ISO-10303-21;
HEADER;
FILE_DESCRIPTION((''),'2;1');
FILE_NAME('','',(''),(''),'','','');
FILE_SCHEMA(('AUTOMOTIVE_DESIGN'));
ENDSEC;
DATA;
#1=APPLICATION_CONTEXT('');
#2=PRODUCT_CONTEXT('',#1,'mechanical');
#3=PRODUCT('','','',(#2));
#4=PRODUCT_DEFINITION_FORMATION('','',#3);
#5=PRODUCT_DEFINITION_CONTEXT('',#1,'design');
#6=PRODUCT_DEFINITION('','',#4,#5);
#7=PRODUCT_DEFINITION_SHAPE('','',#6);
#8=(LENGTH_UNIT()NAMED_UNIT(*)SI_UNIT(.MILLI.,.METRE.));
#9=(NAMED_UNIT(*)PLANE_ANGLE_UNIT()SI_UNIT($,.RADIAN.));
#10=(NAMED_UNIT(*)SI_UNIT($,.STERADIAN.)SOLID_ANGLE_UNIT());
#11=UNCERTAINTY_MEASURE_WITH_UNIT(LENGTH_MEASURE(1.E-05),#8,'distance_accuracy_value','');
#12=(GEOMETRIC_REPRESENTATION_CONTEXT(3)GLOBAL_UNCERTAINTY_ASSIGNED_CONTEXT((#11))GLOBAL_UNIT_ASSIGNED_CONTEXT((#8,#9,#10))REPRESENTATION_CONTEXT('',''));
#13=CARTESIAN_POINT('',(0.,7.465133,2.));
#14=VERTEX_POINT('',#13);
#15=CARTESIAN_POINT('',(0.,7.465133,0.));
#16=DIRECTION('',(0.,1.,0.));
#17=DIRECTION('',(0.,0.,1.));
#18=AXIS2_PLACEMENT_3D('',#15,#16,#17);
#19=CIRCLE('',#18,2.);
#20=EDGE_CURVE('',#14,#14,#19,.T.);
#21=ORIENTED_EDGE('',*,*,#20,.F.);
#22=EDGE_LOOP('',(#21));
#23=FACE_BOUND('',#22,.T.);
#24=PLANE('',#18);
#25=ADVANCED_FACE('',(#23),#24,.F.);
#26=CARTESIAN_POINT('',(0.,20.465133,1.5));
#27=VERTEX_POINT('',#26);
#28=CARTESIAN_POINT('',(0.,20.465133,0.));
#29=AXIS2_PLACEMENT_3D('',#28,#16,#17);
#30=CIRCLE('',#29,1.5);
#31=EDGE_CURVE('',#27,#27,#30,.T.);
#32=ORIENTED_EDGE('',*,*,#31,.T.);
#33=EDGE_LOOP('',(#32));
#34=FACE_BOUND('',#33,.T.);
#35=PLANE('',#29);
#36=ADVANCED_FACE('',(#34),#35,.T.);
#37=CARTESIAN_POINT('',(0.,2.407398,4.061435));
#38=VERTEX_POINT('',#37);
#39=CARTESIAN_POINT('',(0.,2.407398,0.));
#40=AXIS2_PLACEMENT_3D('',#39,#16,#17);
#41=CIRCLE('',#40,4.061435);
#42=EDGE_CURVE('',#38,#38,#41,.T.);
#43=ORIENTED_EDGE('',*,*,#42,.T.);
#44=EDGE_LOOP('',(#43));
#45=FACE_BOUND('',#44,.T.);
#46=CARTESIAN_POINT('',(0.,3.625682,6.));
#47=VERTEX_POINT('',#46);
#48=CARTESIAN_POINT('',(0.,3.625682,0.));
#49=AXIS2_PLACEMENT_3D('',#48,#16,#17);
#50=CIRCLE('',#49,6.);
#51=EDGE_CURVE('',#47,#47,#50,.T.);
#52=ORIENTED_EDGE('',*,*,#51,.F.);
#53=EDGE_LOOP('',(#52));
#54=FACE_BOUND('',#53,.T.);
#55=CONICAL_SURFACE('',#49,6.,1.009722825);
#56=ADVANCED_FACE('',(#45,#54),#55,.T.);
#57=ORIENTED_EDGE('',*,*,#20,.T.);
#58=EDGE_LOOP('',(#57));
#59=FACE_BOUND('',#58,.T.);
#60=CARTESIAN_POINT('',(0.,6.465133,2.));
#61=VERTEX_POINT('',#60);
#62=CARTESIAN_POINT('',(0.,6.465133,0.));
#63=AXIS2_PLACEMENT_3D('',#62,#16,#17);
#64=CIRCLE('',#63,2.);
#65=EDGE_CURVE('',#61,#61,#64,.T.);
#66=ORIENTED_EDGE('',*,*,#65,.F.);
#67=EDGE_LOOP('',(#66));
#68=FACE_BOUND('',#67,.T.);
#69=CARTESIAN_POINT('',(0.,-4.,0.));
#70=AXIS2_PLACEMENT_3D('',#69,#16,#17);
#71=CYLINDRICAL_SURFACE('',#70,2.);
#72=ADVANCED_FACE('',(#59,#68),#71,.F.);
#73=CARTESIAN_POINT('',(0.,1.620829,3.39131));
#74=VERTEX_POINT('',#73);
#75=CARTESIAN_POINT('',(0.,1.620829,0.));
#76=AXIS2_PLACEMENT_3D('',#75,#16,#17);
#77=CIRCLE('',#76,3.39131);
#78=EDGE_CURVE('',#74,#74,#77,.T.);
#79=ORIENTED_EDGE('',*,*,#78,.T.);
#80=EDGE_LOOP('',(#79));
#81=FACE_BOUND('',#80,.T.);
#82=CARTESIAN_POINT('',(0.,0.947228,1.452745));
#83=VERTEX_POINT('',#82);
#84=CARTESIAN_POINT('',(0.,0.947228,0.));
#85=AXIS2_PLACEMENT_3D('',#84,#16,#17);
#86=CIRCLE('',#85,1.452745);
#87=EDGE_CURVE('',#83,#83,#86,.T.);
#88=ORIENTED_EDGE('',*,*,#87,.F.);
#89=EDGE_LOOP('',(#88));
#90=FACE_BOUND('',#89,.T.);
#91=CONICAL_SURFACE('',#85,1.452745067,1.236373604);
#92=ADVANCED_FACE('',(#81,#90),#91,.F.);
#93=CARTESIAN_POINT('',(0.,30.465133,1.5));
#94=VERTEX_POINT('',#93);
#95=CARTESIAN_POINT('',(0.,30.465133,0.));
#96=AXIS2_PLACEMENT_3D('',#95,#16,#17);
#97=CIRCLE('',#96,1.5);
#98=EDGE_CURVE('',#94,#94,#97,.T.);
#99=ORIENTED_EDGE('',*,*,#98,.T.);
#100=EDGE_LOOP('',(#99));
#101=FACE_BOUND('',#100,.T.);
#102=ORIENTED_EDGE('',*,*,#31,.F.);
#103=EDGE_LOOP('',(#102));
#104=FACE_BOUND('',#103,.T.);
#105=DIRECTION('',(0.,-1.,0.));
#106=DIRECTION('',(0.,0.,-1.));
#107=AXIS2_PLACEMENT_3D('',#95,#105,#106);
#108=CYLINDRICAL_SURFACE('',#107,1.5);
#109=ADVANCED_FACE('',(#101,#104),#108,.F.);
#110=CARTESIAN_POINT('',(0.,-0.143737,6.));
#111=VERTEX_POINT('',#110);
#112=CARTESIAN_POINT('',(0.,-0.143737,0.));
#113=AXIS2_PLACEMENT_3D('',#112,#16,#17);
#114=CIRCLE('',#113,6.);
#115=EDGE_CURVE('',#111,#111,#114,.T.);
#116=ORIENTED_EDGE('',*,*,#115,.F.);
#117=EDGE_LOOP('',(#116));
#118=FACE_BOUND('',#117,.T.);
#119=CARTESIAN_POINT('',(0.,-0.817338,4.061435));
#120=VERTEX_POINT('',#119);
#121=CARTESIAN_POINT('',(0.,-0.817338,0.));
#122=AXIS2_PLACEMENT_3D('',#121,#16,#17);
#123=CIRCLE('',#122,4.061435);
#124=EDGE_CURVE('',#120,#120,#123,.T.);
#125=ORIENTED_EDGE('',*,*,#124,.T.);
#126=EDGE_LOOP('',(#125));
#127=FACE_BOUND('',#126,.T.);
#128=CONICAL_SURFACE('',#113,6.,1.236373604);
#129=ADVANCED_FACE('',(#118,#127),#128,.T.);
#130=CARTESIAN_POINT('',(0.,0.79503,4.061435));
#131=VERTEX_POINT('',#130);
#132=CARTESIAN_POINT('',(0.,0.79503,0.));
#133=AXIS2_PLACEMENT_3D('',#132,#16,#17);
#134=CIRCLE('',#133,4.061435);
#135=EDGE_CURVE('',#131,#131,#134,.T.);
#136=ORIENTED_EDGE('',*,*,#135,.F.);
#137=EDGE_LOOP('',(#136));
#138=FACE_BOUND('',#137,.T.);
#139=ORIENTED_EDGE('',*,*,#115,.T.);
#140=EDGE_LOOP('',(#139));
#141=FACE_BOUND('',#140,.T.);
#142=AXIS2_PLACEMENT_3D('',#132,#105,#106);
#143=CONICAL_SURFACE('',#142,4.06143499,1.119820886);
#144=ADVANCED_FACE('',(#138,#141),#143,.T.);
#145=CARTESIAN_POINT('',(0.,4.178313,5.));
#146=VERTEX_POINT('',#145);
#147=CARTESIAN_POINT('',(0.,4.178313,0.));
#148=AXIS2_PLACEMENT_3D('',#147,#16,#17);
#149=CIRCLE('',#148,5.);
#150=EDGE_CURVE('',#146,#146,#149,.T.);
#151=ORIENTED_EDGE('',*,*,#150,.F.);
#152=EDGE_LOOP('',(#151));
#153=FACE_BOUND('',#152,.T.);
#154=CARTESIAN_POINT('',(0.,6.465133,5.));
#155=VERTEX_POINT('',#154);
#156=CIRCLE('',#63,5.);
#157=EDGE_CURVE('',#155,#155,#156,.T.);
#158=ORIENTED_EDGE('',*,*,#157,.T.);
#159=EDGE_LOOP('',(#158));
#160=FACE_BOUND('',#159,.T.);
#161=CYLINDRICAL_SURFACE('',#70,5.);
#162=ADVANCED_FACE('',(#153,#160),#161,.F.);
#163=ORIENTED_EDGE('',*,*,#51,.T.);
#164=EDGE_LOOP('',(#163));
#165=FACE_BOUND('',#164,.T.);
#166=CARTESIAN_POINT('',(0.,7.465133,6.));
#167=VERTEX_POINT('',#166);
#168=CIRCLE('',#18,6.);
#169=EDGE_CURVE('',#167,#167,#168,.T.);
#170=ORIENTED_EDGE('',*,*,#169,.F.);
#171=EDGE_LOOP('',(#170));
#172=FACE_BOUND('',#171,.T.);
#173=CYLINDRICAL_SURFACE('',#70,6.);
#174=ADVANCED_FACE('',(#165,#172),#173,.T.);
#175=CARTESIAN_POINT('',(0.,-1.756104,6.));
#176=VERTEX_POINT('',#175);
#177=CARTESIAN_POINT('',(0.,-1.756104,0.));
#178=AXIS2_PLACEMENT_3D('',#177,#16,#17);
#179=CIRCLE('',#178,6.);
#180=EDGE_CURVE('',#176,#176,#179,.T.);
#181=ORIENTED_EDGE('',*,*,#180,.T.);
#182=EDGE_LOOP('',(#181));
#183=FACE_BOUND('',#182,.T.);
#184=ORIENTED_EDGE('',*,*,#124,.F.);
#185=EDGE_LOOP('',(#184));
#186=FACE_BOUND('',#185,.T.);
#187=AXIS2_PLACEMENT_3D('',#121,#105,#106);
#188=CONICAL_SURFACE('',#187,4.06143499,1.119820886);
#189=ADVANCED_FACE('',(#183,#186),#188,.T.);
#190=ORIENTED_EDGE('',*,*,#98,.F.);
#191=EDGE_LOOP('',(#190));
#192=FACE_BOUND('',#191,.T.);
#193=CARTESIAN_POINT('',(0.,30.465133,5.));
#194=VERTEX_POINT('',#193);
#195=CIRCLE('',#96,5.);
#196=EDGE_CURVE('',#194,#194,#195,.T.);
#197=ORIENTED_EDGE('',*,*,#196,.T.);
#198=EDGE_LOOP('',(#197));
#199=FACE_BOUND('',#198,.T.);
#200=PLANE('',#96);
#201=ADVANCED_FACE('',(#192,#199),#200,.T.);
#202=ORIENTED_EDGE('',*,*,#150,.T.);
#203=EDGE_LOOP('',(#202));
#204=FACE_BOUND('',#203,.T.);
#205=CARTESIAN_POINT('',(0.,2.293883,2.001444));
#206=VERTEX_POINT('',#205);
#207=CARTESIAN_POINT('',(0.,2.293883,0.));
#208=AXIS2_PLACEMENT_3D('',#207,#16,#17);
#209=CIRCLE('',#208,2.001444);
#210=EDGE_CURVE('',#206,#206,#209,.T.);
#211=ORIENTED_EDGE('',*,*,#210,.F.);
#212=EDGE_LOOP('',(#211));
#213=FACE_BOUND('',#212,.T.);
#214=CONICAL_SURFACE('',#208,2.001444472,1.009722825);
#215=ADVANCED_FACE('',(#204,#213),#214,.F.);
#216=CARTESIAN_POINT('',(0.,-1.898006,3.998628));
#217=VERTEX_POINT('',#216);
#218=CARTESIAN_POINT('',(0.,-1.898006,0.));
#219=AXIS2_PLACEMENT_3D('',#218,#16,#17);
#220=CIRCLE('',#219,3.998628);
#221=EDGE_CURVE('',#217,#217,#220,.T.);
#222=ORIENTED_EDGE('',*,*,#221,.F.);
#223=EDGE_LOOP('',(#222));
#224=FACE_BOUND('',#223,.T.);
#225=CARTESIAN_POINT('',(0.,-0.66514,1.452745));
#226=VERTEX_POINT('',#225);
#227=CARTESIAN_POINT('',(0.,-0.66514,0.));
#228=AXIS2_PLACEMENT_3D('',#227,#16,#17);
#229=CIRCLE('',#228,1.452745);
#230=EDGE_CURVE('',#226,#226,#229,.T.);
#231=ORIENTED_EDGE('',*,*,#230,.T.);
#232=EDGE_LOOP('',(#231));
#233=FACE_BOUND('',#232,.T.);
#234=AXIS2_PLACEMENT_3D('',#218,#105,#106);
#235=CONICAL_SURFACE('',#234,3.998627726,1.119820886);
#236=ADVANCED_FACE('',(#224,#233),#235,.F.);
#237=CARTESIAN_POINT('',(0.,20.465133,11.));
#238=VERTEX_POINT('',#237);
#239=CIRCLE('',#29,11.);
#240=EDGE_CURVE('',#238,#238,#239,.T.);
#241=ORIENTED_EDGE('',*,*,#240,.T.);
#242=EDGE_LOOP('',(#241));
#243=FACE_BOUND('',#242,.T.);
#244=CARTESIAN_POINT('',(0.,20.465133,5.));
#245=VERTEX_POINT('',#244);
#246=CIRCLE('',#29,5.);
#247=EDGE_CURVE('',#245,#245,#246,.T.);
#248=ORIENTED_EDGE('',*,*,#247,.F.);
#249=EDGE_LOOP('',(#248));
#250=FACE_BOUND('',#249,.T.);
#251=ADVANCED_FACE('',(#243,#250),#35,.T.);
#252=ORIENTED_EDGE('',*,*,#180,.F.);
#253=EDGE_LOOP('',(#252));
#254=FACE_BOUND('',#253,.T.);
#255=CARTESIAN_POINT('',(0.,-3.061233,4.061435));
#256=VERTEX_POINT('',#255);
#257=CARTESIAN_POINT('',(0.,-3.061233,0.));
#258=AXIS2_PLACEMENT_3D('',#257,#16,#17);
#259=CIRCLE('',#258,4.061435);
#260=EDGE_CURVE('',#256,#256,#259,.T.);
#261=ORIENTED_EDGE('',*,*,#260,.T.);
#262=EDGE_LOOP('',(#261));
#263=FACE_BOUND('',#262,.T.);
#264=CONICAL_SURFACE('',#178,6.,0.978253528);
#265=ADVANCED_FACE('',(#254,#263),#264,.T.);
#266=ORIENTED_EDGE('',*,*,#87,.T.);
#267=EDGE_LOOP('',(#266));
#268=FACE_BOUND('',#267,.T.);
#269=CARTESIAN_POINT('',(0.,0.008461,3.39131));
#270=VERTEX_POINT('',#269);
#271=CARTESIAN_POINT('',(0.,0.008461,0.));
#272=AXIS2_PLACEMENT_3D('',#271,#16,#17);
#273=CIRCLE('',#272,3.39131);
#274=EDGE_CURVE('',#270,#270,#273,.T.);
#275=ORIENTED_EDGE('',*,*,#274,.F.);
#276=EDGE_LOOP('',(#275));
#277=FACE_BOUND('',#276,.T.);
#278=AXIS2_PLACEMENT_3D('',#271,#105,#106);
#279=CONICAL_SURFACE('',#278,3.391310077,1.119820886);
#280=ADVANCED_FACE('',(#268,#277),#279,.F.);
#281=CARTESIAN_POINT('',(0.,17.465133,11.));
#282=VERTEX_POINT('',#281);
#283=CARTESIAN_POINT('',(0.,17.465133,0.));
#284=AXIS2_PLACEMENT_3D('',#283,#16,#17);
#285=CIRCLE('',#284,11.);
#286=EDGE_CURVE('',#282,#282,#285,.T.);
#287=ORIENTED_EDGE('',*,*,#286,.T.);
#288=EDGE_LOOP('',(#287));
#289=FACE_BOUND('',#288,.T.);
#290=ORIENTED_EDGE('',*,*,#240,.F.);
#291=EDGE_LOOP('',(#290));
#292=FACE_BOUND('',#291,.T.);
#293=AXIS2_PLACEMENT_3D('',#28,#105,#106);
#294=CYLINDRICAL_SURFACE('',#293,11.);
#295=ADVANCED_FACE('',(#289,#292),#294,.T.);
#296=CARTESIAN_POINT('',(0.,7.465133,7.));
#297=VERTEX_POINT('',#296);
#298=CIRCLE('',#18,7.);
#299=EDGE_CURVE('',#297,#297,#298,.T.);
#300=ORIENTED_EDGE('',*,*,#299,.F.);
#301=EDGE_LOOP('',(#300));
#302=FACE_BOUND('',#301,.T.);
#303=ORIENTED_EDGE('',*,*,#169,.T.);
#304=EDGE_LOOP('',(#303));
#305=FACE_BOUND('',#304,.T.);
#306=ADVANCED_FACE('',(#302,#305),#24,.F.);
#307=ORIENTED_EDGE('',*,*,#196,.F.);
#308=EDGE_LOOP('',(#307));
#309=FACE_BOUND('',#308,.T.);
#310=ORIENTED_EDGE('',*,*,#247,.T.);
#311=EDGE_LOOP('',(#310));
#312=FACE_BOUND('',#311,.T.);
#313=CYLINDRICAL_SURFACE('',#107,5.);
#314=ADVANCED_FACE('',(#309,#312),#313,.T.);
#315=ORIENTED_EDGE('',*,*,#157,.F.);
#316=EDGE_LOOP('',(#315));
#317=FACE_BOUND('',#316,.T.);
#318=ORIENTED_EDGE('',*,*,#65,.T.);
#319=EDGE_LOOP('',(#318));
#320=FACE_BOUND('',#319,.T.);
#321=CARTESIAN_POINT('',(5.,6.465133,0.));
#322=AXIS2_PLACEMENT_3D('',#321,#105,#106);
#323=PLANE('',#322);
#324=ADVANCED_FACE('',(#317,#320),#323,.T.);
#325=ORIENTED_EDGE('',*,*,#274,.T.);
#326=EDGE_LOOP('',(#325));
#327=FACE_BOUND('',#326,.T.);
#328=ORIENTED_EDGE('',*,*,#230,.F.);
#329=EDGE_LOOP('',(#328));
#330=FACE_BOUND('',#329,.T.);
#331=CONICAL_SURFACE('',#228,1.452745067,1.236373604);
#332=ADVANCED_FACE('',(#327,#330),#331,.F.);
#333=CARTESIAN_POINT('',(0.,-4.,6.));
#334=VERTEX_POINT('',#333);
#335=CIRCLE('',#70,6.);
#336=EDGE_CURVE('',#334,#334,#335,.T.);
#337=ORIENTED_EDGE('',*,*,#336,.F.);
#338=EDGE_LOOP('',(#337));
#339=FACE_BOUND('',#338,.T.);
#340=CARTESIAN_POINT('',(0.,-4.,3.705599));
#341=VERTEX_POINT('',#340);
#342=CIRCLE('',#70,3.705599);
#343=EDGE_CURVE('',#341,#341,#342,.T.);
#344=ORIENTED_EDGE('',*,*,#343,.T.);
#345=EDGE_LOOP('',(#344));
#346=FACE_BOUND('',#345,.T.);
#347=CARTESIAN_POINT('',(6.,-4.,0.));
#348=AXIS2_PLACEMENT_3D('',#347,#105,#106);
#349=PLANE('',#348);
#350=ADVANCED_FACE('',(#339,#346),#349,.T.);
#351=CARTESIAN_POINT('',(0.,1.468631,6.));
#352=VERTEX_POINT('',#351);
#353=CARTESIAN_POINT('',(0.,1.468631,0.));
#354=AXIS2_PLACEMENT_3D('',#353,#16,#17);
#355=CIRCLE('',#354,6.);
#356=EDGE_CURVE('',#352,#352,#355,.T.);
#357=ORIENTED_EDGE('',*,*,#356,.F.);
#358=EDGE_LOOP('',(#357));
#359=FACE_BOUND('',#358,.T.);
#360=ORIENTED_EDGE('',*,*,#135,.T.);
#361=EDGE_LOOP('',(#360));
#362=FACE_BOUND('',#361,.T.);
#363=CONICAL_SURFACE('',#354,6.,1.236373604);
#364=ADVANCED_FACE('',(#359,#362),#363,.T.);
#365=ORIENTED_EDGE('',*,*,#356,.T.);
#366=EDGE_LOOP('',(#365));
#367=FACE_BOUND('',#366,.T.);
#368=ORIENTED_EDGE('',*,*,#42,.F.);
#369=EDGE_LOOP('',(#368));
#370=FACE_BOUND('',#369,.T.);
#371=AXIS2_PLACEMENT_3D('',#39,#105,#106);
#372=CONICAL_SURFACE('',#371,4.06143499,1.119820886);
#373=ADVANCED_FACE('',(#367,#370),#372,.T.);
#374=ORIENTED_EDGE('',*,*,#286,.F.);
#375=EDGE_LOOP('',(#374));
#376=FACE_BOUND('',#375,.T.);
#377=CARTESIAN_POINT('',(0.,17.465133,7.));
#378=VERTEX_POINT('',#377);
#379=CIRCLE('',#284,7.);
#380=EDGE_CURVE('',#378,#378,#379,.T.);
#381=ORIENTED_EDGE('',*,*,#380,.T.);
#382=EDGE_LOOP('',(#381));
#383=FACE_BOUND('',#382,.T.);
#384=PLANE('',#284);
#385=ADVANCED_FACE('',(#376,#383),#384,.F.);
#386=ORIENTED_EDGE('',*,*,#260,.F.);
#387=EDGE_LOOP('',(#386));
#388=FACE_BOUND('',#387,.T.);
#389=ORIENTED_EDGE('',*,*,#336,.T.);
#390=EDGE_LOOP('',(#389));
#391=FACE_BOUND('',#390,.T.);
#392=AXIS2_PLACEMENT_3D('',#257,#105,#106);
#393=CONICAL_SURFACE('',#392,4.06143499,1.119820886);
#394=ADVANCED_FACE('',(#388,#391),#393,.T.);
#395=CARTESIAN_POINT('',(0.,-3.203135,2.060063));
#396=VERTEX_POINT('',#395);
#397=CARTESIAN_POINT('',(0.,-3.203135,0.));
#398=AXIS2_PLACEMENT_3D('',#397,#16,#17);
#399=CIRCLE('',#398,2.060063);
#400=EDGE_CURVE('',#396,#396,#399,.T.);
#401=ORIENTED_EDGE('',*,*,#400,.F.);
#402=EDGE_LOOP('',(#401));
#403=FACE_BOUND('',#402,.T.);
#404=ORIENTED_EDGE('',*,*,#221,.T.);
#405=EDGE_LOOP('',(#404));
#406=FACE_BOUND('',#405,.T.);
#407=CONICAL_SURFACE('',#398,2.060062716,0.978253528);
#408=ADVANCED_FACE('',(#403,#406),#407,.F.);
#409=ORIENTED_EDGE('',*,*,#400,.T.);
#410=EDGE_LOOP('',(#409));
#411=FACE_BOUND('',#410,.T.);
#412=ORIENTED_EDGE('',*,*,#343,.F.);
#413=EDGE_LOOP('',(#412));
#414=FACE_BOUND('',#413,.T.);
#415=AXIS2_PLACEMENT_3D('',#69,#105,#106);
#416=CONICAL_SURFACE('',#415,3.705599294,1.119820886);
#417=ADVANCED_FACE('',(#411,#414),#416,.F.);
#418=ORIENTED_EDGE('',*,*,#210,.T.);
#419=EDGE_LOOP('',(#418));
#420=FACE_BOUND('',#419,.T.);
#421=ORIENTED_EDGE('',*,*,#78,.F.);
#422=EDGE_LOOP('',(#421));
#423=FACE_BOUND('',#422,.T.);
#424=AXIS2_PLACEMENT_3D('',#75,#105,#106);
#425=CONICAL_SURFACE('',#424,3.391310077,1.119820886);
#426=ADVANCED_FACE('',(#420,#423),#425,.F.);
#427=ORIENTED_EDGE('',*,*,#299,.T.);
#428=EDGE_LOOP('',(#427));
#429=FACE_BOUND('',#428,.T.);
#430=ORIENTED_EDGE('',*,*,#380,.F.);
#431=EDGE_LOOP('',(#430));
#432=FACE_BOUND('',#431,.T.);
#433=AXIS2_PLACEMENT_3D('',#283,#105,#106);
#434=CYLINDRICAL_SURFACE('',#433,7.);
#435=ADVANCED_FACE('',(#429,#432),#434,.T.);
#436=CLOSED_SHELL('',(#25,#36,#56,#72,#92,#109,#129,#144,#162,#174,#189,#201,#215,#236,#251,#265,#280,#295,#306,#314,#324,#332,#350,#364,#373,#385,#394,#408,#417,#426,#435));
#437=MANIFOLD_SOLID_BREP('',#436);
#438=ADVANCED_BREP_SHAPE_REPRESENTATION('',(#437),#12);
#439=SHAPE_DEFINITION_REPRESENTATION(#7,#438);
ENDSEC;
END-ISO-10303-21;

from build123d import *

# Parameters (mm, degrees)
SKETCH_2_R      = 7
EXTRUDE_1_DEPTH = 10
SKETCH_3_R      = 11
EXTRUDE_2_DEPTH = 3
SKETCH_4_R      = 5
SKETCH_4_R_2    = 1.5
EXTRUDE_3_DEPTH = 10


with BuildPart() as part:
    # 草图1 → 旋转1 (revolve)
    with BuildSketch(Plane(origin=(0, 0, 0), x_dir=(-1, 0, 0), z_dir=(0, 0, -1))):
        Polygon((-6, -4), (-3.705599294, -4), (-2.060062716, -3.203134621), (-3.998627726, -1.898006037), (-1.452745067, -0.665140249), (-3.391310077, 0.008460706), (-1.452745067, 0.947227648), (-3.391310077, 1.620828604), (-2.001444472, 2.293883094), (-5, 4.178313324), (-5, 6.465133326), (-2, 6.465133326), (-2, 7.465133326), (-6, 7.465133326), (-6, 3.625681691), (-4.06143499, 2.407398263), (-6, 1.468631321), (-4.06143499, 0.795030366), (-6, -0.143736577), (-4.06143499, -0.817337532), (-6, -1.756104474), (-4.06143499, -3.061233058), align=None)
    revolve(axis=Axis((0, -4, 0), (0, 1, 0)))

    # 草图2 → 凸台-拉伸1 (add)
    with BuildSketch(Plane(origin=(0, 7.465133326, 0), x_dir=(1, 0, 0), z_dir=(0, 1, 0))):
        Circle(SKETCH_2_R)
    extrude(amount=EXTRUDE_1_DEPTH)

    # 草图3 → 凸台-拉伸2 (add)
    with BuildSketch(Plane(origin=(0, 17.465133326, 0), x_dir=(1, 0, 0), z_dir=(0, 1, 0))):
        Circle(SKETCH_3_R)
    extrude(amount=EXTRUDE_2_DEPTH)

    # 草图4 → 凸台-拉伸3 (add)
    with BuildSketch(Plane(origin=(0, 20.465133326, 0), x_dir=(1, 0, 0), z_dir=(0, 1, 0))):
        Circle(SKETCH_4_R)
        Circle(SKETCH_4_R_2, mode=Mode.SUBTRACT)
    extrude(amount=EXTRUDE_3_DEPTH)


solid = part.part
